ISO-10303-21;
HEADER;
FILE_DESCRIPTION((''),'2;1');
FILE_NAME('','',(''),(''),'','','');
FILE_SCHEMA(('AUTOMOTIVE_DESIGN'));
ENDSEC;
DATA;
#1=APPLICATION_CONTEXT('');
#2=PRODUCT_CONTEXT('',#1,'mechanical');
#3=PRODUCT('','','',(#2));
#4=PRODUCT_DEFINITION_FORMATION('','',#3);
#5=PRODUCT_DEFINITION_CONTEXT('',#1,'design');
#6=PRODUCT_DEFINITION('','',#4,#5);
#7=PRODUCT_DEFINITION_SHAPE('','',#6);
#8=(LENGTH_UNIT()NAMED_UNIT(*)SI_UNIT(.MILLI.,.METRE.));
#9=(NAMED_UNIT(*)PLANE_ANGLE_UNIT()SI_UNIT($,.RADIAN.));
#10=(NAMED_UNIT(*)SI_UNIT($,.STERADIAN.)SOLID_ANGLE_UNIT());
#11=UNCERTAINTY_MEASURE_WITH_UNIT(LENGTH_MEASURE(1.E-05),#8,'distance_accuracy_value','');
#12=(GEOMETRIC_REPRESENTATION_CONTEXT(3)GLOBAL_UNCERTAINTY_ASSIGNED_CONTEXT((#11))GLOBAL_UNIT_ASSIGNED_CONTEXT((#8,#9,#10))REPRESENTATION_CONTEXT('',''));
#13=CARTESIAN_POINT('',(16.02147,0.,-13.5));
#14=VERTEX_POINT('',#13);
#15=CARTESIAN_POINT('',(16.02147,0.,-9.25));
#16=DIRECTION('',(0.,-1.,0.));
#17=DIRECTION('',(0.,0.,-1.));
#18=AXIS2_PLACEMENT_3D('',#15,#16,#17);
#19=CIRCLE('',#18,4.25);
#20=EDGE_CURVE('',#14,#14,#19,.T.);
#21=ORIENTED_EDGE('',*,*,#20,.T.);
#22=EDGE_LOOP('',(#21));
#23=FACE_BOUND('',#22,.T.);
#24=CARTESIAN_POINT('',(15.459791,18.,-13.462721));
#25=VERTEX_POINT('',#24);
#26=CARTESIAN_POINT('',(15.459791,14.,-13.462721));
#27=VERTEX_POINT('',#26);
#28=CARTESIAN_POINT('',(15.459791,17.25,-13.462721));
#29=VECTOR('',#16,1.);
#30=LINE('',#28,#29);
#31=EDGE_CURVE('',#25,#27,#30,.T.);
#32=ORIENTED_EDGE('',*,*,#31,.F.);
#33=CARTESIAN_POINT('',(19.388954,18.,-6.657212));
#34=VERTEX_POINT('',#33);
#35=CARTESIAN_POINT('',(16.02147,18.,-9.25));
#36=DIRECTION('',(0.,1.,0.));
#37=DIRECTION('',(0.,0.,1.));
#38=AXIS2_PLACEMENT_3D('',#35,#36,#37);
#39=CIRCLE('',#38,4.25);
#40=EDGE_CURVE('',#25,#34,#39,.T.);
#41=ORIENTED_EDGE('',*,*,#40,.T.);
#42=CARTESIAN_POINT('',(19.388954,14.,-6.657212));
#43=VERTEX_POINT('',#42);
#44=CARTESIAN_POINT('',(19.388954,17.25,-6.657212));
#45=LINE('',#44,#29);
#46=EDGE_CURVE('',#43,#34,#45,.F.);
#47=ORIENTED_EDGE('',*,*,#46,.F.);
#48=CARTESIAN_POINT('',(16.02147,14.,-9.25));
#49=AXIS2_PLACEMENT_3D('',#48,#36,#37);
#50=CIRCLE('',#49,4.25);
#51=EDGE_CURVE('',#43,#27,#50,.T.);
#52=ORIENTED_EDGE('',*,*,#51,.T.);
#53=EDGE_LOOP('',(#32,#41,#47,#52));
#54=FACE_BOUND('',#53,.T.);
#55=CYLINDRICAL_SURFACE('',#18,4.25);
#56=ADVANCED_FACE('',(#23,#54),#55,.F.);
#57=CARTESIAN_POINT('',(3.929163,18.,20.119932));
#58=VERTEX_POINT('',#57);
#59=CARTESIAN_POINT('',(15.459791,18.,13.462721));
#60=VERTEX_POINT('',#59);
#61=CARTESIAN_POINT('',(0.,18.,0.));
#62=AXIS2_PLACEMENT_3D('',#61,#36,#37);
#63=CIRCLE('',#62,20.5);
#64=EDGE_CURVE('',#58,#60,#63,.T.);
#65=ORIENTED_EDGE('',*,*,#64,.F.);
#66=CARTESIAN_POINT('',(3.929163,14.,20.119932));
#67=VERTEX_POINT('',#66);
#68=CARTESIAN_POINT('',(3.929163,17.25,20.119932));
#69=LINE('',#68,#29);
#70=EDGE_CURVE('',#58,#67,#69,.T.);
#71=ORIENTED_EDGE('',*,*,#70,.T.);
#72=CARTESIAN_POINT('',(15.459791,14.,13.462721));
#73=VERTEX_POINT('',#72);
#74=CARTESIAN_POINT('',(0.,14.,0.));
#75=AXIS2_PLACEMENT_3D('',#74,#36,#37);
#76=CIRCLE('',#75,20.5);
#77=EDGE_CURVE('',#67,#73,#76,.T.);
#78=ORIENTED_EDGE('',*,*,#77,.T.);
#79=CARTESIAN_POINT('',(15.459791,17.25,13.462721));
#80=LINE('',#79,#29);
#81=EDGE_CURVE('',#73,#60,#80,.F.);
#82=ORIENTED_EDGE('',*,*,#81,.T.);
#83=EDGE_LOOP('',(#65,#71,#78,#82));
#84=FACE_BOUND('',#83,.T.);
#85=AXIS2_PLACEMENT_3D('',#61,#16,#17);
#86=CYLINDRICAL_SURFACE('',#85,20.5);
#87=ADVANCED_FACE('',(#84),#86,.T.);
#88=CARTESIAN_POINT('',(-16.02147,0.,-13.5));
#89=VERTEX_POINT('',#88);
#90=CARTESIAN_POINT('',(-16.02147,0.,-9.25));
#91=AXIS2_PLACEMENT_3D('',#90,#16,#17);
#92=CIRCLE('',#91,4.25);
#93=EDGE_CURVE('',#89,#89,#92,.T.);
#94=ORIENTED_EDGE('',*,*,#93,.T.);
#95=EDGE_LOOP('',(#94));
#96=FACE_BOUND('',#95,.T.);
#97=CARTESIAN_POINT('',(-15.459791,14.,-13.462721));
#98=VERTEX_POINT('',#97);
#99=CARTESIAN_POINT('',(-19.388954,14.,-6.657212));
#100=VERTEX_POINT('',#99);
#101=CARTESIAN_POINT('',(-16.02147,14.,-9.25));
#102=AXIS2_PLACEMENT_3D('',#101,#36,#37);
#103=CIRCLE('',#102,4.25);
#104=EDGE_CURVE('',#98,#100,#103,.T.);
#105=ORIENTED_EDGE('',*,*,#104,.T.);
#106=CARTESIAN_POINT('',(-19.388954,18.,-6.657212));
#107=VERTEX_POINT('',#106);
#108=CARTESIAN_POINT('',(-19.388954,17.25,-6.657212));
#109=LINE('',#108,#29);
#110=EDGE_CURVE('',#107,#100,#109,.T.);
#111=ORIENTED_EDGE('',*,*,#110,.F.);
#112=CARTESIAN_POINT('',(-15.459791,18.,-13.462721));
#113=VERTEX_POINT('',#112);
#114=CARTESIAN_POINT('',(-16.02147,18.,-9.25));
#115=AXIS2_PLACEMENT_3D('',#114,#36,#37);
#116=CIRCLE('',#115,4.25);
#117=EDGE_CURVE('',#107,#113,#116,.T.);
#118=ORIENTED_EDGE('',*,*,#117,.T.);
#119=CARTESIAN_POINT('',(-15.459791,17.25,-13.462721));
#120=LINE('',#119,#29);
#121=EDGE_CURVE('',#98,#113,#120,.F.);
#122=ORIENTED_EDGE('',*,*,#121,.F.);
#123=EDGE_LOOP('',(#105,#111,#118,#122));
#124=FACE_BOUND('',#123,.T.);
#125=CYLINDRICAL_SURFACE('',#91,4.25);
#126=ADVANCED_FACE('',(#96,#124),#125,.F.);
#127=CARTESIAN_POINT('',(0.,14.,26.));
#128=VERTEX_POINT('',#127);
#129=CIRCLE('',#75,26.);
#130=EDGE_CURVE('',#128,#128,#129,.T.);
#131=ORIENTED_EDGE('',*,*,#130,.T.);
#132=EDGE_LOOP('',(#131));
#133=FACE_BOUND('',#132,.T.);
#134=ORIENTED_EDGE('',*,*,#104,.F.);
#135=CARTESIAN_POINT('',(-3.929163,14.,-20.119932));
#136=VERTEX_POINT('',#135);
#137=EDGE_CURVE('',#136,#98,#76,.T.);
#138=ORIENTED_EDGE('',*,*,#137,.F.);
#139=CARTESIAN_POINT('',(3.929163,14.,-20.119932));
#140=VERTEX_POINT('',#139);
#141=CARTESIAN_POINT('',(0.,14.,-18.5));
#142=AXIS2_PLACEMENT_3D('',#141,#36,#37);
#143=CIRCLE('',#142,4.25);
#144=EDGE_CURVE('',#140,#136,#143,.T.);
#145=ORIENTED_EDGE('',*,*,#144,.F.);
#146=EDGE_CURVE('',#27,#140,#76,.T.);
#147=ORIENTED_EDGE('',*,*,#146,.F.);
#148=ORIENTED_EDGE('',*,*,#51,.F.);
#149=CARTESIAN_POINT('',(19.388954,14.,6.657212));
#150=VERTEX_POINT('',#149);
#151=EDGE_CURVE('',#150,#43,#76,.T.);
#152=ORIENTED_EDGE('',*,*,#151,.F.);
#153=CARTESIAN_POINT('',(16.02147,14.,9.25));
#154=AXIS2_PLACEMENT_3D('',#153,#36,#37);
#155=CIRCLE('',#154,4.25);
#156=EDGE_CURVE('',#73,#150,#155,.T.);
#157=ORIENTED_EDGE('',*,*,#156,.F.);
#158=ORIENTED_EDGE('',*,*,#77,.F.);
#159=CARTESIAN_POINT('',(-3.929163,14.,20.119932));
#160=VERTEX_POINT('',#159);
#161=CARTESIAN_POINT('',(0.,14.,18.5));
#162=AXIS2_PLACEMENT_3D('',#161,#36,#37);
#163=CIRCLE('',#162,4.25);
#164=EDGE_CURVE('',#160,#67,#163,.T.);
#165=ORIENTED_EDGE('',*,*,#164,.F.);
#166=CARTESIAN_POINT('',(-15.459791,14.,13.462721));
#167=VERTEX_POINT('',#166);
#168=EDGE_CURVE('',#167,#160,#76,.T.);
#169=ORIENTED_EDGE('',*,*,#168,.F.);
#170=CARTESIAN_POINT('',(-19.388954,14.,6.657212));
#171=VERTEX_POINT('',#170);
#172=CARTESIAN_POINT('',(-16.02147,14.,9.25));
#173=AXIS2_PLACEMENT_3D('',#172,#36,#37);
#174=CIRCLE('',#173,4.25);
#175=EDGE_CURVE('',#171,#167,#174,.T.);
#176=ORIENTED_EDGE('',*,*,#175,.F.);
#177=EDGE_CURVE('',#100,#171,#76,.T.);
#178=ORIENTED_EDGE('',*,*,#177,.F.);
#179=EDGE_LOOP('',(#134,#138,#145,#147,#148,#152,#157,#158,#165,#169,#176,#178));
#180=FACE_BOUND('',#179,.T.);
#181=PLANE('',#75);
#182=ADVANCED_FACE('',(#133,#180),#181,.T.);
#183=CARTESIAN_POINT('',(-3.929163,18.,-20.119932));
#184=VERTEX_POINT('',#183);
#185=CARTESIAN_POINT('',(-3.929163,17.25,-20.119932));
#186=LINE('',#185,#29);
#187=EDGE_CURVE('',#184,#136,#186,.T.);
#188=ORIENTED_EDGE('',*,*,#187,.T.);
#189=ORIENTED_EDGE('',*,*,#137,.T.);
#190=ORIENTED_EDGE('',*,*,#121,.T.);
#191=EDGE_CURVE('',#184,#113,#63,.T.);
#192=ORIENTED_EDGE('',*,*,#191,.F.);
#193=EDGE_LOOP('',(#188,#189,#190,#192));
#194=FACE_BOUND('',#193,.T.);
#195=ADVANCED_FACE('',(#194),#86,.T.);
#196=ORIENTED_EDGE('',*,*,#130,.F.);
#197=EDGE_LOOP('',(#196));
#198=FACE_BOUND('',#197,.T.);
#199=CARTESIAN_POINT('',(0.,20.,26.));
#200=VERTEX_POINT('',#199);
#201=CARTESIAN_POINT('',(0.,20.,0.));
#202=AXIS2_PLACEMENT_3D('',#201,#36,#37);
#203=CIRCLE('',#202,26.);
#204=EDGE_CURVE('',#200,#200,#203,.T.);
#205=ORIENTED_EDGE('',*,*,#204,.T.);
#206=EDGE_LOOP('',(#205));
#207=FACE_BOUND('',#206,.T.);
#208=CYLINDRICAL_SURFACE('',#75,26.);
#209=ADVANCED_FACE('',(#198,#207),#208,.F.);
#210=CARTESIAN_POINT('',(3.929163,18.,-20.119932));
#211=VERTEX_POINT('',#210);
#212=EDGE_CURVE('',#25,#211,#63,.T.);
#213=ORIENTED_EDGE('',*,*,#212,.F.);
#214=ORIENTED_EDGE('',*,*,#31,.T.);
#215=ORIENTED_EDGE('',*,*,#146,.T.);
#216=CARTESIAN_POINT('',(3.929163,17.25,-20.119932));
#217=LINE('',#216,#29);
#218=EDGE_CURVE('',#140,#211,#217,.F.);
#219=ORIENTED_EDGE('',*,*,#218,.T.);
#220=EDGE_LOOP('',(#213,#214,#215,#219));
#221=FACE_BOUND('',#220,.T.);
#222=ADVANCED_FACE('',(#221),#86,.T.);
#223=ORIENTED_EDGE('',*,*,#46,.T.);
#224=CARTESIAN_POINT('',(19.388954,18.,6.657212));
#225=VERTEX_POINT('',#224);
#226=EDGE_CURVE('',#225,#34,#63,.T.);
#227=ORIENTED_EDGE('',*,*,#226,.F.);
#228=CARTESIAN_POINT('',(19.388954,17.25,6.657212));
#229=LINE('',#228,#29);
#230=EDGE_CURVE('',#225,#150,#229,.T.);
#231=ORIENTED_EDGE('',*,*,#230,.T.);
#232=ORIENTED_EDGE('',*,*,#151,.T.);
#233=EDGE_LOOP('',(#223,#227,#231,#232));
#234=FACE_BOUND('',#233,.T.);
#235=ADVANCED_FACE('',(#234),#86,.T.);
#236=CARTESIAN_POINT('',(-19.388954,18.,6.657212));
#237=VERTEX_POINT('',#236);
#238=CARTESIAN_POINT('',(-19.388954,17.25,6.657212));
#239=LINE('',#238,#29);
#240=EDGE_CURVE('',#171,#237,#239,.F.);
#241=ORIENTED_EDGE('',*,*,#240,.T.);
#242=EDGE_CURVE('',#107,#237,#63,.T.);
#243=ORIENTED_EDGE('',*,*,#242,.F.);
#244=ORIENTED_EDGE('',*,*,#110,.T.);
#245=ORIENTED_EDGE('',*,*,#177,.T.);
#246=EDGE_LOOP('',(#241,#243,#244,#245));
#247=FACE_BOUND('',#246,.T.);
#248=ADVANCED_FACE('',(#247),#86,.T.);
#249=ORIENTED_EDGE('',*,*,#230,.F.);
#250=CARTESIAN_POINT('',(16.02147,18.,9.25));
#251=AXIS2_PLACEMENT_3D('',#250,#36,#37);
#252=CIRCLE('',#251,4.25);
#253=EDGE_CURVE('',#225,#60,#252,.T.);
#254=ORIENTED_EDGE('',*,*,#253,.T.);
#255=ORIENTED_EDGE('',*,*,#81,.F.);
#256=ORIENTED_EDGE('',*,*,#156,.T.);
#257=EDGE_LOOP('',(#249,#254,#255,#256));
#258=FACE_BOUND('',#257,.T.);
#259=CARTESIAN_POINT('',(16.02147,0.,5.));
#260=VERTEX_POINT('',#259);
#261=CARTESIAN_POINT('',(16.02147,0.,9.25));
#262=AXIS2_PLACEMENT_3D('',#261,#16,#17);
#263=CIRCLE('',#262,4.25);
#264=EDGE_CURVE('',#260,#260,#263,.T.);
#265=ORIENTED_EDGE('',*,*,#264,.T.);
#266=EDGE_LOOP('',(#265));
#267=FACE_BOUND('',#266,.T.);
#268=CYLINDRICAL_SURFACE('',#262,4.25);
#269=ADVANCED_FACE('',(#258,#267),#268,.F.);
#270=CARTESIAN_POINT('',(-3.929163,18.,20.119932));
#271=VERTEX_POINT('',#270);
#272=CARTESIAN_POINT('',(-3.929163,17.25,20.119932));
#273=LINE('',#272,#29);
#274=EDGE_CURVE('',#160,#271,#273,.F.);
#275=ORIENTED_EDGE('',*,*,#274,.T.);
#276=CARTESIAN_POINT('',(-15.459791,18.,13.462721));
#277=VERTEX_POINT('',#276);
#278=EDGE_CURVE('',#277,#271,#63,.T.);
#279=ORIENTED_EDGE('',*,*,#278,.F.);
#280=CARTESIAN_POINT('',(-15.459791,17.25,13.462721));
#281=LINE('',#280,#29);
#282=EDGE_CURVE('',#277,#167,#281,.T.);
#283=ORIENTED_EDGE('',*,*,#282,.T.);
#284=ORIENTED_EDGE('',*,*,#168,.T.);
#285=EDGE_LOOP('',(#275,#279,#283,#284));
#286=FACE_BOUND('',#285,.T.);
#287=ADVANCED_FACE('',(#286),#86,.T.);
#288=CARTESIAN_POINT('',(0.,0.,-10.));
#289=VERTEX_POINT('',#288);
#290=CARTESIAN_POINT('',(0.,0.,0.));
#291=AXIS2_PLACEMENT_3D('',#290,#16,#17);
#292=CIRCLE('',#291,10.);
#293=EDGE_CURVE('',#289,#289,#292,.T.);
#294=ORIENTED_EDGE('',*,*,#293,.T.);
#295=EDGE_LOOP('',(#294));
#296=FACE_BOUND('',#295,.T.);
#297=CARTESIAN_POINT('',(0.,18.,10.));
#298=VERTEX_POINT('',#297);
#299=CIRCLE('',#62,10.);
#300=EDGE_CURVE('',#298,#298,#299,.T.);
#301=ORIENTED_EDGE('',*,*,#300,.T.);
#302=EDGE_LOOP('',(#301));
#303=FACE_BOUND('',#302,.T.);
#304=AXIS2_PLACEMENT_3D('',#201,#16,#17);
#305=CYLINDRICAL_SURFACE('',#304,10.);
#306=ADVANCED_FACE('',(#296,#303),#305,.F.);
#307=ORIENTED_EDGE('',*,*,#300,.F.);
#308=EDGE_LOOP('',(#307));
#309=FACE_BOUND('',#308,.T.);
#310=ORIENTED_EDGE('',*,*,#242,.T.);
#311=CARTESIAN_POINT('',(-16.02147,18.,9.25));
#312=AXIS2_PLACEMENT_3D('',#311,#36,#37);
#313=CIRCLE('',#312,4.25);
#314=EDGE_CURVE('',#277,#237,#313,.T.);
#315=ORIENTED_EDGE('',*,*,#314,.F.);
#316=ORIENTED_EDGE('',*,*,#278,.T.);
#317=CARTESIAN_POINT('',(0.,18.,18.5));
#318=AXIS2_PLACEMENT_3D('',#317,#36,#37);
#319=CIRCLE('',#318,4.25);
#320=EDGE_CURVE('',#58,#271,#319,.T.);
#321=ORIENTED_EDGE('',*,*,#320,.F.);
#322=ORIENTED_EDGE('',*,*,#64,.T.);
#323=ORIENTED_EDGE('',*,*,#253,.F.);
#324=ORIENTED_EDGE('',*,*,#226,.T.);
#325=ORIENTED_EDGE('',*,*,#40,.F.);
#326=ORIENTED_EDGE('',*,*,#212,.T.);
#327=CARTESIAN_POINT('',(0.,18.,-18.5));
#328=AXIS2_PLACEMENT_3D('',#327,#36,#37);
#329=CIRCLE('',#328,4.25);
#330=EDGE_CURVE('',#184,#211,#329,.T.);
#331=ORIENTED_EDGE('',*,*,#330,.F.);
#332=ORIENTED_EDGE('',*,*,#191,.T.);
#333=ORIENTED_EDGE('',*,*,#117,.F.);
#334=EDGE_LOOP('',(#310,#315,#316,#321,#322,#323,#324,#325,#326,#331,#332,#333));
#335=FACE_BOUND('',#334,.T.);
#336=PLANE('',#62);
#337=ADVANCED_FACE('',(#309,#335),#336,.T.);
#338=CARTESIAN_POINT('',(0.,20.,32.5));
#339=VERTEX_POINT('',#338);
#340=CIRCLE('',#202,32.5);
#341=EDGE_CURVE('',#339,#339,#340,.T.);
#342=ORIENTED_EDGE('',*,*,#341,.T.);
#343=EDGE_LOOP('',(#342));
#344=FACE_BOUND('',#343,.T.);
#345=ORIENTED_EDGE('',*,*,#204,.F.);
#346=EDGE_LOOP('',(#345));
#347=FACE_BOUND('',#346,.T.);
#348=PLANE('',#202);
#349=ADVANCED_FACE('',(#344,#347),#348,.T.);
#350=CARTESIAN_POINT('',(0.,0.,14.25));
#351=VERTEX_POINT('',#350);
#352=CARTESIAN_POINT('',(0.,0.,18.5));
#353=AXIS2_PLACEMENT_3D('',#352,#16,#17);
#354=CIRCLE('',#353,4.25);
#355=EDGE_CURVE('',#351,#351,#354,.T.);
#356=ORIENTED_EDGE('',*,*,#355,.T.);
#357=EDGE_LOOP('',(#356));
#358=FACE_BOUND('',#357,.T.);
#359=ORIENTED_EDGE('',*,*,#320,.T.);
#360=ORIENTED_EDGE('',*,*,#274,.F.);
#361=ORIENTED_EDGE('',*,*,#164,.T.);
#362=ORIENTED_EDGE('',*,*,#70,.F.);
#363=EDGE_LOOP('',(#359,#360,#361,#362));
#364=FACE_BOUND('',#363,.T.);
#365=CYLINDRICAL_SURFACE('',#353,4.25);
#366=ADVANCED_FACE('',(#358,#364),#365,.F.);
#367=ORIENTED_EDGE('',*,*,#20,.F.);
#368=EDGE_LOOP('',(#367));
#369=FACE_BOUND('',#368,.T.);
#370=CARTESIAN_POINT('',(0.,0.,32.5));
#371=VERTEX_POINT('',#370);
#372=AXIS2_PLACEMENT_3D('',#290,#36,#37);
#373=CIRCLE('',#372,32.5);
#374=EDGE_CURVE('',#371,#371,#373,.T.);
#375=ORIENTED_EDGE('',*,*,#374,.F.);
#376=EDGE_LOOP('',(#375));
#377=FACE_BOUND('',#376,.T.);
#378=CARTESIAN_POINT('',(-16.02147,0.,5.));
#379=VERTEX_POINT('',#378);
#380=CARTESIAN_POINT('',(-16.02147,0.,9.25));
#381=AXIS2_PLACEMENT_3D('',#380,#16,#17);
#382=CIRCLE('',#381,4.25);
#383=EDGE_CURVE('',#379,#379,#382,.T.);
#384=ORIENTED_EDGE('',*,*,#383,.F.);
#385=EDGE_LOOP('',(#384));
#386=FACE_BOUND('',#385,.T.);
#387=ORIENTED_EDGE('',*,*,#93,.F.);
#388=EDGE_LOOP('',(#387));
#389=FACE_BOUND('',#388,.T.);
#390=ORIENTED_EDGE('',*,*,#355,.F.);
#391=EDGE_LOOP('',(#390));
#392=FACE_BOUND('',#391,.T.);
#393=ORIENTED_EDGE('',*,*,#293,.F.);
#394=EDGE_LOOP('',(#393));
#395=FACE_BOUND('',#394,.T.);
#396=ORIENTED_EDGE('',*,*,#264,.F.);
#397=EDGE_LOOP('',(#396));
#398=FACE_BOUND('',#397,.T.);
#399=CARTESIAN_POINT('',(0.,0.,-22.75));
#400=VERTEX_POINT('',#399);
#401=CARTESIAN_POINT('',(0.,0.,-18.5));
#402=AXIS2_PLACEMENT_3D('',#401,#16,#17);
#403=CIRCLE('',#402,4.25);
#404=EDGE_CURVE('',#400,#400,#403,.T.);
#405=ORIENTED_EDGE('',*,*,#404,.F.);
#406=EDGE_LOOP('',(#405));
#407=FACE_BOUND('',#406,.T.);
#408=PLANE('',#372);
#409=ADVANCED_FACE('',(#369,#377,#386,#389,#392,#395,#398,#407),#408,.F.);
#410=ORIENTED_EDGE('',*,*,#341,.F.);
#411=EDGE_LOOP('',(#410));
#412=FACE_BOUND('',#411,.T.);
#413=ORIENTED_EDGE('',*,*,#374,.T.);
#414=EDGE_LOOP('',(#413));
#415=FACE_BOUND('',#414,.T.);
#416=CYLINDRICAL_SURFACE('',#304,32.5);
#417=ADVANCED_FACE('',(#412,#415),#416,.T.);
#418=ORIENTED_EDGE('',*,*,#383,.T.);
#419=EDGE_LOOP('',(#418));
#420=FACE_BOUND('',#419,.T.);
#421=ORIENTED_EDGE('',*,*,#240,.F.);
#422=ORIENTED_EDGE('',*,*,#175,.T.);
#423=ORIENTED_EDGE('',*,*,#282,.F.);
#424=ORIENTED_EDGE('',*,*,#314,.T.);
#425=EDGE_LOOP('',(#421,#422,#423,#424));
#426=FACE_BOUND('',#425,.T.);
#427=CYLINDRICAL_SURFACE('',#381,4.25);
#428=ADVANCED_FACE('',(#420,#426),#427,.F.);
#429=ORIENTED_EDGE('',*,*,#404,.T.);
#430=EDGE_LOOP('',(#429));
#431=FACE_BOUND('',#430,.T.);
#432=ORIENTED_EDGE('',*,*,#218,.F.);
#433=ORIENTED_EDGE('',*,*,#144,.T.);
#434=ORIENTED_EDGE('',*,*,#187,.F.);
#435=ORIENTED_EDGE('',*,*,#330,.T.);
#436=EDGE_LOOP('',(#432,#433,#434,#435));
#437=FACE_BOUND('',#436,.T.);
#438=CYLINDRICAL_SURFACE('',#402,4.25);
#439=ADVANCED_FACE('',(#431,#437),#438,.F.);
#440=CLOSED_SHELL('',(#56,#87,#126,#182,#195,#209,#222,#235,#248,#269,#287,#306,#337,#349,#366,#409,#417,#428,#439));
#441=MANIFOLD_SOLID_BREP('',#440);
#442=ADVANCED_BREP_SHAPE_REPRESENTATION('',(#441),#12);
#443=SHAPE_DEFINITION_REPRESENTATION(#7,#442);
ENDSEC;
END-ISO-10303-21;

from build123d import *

# Parameters (mm, degrees)
SKETCH1_R           = 32.5
BOSS_EXTRUDE1_DEPTH = 20
SKETCH2_R           = 26
CUT_EXTRUDE1_DEPTH  = 6
SKETCH3_R           = 20.5
BOSS_EXTRUDE2_DEPTH = 4
SKETCH8_R           = 10
CUT_EXTRUDE2_DEPTH  = 21
CIRPATTERN1_COUNT   = 6


with BuildPart() as part:
    # Sketch1 → Boss-Extrude1 (new body)
    with BuildSketch(Plane(origin=(0, 0, 0), x_dir=(1, 0, 0), z_dir=(0, 1, 0))):
        Circle(SKETCH1_R)
    extrude(amount=BOSS_EXTRUDE1_DEPTH)

    # Sketch2 → Cut-Extrude1 (cut)
    with BuildSketch(Plane(origin=(0, 20, 0), x_dir=(1, 0, 0), z_dir=(0, 1, 0))):
        Circle(SKETCH2_R)
    extrude(amount=-CUT_EXTRUDE1_DEPTH, mode=Mode.SUBTRACT)

    # Sketch3 → Boss-Extrude2 (add)
    with BuildSketch(Plane(origin=(0, 14, 0), x_dir=(1, 0, 0), z_dir=(0, 1, 0))):
        Circle(SKETCH3_R)
    extrude(amount=BOSS_EXTRUDE2_DEPTH)

    # Sketch6 → M10 Tapped Hole1 (revolve, cut)
    with BuildSketch(Plane(origin=(0, 0, 18.5), x_dir=(0, 0, -1), z_dir=(1, 0, 0))):
        Polygon((0, 0), (0, 37.053657631), (4.25, 34.5), (4.25, 0), align=None)
    m10_tapped_hole1 = revolve(axis=Axis((0, -6.35, 18.5), (0, 1, 0)), mode=Mode.SUBTRACT)

    # Sketch8 → Cut-Extrude2 (cut, through all)
    with BuildSketch(Plane.XZ):
        Circle(SKETCH8_R)
    extrude(amount=-CUT_EXTRUDE2_DEPTH, mode=Mode.SUBTRACT)

    # CirPattern1: M10 Tapped Hole1 ×6 about axis
    cirpattern1_axis = Axis((0, 0, 0), (0, 1, 0))
    for i in range(1, CIRPATTERN1_COUNT):
        add(m10_tapped_hole1.rotate(cirpattern1_axis, i * 360 / CIRPATTERN1_COUNT), mode=Mode.SUBTRACT)


solid = part.part
